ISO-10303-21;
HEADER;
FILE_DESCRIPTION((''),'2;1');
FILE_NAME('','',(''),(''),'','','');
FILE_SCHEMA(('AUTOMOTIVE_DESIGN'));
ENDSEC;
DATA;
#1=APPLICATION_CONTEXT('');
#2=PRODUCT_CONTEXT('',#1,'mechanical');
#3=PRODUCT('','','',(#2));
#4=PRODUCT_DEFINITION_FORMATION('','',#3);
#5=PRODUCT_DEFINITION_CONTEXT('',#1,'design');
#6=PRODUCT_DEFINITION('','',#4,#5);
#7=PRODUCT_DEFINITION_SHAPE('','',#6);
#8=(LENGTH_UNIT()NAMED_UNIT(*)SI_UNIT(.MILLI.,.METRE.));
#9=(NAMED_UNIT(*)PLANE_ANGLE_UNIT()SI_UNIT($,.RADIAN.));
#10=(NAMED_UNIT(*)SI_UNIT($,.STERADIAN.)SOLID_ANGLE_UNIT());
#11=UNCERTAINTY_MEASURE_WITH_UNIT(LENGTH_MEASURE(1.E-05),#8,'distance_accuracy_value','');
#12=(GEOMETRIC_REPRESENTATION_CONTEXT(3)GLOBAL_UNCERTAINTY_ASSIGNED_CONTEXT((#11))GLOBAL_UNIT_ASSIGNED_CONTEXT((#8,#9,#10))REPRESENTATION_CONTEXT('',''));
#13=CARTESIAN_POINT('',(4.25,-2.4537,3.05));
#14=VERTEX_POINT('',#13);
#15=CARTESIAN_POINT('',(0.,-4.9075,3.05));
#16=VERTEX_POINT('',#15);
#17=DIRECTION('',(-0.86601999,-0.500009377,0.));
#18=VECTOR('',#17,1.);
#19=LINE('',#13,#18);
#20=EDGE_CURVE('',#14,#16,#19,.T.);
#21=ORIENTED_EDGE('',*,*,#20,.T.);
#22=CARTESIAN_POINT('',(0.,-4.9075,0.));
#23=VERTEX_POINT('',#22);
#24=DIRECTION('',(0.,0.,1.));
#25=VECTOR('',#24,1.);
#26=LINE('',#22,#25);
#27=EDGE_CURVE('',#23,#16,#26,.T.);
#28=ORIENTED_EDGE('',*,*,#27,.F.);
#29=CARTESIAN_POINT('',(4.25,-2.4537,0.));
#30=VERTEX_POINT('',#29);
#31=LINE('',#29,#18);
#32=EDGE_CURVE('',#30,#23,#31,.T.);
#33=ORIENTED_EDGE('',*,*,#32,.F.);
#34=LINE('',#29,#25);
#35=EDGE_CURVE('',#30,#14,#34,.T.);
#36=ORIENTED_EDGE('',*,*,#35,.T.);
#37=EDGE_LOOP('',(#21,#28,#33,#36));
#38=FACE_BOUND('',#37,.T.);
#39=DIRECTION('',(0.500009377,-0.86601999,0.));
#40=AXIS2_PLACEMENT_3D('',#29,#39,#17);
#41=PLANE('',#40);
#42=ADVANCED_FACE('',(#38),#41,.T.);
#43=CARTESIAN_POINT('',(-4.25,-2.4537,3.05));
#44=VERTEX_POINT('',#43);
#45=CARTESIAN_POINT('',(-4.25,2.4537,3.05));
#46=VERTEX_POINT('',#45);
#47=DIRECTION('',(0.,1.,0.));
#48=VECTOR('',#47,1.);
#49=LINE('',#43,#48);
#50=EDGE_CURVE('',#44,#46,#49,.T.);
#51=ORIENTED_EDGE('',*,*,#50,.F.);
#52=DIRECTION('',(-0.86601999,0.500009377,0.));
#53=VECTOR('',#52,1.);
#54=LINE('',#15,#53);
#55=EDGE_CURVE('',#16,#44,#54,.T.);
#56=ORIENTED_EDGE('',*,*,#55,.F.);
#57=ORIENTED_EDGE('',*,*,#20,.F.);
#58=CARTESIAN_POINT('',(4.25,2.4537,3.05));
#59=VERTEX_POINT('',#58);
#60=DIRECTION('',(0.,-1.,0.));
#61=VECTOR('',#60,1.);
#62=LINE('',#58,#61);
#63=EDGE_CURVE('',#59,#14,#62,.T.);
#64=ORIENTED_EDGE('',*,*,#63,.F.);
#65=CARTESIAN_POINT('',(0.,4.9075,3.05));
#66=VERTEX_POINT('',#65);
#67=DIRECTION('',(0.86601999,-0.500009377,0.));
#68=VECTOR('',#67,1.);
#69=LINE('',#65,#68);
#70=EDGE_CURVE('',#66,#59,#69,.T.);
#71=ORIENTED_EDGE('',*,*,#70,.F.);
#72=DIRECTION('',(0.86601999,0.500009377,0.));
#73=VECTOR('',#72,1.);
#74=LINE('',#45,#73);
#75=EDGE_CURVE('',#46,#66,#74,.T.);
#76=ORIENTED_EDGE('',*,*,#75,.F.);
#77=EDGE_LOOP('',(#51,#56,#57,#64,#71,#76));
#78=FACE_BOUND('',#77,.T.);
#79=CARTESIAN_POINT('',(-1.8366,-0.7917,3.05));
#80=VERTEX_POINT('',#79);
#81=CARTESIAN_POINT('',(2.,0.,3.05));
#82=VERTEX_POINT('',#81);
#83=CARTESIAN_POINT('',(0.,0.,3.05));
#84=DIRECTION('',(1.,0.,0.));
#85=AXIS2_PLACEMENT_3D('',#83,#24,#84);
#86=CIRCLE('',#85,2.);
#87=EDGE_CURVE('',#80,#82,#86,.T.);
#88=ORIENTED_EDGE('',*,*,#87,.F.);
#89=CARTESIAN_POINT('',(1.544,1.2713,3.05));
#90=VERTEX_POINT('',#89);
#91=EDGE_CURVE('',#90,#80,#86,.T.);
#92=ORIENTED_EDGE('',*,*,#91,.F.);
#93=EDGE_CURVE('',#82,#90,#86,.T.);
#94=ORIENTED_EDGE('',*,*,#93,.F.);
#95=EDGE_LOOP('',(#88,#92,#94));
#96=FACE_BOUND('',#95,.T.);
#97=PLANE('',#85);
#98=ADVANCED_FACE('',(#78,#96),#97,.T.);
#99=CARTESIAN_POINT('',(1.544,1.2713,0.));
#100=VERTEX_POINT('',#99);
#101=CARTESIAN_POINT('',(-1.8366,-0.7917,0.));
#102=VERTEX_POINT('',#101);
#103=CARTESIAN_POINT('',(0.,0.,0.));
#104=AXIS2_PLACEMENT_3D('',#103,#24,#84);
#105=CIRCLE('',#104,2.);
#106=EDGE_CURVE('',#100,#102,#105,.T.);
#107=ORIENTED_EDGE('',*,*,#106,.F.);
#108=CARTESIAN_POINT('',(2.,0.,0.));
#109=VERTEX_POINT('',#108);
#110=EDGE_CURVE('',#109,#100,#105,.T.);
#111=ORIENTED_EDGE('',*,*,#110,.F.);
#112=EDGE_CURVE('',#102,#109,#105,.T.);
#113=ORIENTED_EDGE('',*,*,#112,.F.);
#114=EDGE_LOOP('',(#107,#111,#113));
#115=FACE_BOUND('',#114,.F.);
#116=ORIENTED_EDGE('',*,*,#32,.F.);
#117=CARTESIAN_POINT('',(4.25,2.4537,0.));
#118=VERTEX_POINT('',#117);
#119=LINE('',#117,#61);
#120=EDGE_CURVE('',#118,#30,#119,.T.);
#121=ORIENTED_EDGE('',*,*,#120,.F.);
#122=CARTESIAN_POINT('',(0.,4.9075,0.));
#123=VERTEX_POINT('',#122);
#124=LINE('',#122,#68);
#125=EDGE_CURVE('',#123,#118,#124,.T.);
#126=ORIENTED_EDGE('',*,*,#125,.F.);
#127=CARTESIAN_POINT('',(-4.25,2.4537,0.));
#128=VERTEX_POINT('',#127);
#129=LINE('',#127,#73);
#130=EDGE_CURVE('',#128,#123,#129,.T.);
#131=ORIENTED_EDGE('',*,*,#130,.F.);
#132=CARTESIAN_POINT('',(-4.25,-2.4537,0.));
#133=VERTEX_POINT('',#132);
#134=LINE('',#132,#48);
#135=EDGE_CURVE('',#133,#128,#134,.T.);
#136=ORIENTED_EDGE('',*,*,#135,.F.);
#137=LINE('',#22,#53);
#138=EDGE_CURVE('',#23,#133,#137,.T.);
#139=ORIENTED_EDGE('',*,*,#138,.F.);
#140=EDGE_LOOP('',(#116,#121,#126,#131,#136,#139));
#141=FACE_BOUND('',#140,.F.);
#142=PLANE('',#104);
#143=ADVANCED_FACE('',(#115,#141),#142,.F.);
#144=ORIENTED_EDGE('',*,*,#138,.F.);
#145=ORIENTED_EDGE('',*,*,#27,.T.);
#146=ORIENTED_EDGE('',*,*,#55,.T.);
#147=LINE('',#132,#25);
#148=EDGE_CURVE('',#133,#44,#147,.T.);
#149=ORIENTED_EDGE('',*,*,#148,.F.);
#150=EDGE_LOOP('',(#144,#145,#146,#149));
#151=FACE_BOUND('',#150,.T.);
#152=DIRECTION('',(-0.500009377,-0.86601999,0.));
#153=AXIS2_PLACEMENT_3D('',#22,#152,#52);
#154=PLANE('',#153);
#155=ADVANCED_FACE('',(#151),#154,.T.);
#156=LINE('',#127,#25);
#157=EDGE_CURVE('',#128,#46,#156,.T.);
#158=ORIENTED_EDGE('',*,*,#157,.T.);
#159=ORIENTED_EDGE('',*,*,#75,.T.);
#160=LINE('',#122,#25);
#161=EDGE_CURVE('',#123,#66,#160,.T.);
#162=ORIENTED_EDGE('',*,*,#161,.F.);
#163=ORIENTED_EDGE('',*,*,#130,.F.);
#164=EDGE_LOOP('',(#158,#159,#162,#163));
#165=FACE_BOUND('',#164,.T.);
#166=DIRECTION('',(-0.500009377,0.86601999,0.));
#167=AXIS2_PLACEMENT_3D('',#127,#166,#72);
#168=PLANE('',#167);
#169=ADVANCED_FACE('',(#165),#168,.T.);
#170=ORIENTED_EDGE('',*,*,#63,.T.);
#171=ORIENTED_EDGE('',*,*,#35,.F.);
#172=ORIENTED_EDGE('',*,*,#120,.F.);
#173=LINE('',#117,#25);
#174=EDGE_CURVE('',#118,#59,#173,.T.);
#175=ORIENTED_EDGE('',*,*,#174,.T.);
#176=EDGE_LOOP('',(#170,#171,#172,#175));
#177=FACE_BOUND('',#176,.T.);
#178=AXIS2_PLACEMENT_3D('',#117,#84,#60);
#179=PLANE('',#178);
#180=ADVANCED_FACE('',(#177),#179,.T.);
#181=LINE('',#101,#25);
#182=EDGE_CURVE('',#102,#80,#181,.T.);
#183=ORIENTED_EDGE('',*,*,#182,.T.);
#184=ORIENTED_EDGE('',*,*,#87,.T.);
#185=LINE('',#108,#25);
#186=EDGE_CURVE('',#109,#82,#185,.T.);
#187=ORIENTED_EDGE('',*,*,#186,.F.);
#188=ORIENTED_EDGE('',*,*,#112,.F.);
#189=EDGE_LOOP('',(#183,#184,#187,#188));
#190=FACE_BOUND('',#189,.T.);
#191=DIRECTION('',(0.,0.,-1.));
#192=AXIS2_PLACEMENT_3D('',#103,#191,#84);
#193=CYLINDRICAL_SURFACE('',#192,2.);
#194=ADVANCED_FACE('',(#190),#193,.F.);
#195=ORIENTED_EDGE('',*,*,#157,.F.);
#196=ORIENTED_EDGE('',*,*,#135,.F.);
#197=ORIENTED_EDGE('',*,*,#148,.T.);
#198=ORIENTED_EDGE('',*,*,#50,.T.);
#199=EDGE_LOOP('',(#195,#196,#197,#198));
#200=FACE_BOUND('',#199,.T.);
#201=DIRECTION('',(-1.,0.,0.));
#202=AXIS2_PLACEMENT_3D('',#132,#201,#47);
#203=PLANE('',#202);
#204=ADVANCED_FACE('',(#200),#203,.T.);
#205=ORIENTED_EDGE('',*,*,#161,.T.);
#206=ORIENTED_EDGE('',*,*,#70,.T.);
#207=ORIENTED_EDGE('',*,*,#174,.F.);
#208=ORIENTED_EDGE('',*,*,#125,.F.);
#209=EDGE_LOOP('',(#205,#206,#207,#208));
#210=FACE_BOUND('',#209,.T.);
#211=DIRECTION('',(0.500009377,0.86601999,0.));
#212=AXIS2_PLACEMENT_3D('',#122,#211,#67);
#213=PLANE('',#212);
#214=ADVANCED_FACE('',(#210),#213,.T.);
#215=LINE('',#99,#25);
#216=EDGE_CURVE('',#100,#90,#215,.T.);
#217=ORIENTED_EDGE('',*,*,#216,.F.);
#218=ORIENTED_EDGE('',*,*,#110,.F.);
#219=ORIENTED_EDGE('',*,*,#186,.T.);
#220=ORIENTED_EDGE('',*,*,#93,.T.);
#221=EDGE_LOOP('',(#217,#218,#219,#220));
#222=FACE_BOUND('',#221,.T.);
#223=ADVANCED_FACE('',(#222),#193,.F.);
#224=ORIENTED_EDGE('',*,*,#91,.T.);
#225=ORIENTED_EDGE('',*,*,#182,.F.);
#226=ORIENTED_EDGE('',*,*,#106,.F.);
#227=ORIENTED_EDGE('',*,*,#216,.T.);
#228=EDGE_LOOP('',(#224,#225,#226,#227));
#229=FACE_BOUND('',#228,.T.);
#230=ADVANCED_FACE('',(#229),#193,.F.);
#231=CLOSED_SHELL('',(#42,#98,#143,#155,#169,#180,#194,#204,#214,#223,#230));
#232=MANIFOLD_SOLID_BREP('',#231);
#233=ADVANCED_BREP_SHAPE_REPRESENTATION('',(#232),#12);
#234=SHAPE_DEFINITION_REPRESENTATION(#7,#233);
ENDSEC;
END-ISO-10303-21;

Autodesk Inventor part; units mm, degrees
ref_plane "YZ Plane" through (0, 0, 0) normal (1, 0, 0) x (0, 1, 0)
ref_plane "XZ Plane" through (0, 0, 0) normal (0, 1, 0) x (-1, 0, 0)
ref_plane "XY Plane" through (0, 0, 0) normal (0, 0, 1) x (1, 0, 0)
sketch "Sketch1" plane through (0, 0, 0) normal (0, 0, 1) x (1, 0, 0)
  circle A0 centre (0, 0) radius 2
  arc A1 (-1.8366, -0.7917) -> (1.544, 1.2713) centre (0, 0) ccw
  arc A2 (1.544, 1.2713) -> (-1.8366, -0.7917) centre (0, 0) ccw
  line L0 (0, -4.9075) -> (-4.25, -2.4537)
  line L1 (-4.25, -2.4537) -> (-4.25, 2.4537)
  line L2 (-4.25, 2.4537) -> (0, 4.9075)
  line L3 (0, 4.9075) -> (4.25, 2.4537)
  line L4 (4.25, 2.4537) -> (4.25, -2.4537)
  line L5 (4.25, -2.4537) -> (0, -4.9075)
  point P0 (-2.125, 3.6806)
  point P1 (4.25, 0)
  dimension "d8" = 8.5
  dimension "d9" = 4
extrude "Extrusion2" add sketch "Sketch1" along normal blind 3.05
properties part number "tuerca2mockup"
